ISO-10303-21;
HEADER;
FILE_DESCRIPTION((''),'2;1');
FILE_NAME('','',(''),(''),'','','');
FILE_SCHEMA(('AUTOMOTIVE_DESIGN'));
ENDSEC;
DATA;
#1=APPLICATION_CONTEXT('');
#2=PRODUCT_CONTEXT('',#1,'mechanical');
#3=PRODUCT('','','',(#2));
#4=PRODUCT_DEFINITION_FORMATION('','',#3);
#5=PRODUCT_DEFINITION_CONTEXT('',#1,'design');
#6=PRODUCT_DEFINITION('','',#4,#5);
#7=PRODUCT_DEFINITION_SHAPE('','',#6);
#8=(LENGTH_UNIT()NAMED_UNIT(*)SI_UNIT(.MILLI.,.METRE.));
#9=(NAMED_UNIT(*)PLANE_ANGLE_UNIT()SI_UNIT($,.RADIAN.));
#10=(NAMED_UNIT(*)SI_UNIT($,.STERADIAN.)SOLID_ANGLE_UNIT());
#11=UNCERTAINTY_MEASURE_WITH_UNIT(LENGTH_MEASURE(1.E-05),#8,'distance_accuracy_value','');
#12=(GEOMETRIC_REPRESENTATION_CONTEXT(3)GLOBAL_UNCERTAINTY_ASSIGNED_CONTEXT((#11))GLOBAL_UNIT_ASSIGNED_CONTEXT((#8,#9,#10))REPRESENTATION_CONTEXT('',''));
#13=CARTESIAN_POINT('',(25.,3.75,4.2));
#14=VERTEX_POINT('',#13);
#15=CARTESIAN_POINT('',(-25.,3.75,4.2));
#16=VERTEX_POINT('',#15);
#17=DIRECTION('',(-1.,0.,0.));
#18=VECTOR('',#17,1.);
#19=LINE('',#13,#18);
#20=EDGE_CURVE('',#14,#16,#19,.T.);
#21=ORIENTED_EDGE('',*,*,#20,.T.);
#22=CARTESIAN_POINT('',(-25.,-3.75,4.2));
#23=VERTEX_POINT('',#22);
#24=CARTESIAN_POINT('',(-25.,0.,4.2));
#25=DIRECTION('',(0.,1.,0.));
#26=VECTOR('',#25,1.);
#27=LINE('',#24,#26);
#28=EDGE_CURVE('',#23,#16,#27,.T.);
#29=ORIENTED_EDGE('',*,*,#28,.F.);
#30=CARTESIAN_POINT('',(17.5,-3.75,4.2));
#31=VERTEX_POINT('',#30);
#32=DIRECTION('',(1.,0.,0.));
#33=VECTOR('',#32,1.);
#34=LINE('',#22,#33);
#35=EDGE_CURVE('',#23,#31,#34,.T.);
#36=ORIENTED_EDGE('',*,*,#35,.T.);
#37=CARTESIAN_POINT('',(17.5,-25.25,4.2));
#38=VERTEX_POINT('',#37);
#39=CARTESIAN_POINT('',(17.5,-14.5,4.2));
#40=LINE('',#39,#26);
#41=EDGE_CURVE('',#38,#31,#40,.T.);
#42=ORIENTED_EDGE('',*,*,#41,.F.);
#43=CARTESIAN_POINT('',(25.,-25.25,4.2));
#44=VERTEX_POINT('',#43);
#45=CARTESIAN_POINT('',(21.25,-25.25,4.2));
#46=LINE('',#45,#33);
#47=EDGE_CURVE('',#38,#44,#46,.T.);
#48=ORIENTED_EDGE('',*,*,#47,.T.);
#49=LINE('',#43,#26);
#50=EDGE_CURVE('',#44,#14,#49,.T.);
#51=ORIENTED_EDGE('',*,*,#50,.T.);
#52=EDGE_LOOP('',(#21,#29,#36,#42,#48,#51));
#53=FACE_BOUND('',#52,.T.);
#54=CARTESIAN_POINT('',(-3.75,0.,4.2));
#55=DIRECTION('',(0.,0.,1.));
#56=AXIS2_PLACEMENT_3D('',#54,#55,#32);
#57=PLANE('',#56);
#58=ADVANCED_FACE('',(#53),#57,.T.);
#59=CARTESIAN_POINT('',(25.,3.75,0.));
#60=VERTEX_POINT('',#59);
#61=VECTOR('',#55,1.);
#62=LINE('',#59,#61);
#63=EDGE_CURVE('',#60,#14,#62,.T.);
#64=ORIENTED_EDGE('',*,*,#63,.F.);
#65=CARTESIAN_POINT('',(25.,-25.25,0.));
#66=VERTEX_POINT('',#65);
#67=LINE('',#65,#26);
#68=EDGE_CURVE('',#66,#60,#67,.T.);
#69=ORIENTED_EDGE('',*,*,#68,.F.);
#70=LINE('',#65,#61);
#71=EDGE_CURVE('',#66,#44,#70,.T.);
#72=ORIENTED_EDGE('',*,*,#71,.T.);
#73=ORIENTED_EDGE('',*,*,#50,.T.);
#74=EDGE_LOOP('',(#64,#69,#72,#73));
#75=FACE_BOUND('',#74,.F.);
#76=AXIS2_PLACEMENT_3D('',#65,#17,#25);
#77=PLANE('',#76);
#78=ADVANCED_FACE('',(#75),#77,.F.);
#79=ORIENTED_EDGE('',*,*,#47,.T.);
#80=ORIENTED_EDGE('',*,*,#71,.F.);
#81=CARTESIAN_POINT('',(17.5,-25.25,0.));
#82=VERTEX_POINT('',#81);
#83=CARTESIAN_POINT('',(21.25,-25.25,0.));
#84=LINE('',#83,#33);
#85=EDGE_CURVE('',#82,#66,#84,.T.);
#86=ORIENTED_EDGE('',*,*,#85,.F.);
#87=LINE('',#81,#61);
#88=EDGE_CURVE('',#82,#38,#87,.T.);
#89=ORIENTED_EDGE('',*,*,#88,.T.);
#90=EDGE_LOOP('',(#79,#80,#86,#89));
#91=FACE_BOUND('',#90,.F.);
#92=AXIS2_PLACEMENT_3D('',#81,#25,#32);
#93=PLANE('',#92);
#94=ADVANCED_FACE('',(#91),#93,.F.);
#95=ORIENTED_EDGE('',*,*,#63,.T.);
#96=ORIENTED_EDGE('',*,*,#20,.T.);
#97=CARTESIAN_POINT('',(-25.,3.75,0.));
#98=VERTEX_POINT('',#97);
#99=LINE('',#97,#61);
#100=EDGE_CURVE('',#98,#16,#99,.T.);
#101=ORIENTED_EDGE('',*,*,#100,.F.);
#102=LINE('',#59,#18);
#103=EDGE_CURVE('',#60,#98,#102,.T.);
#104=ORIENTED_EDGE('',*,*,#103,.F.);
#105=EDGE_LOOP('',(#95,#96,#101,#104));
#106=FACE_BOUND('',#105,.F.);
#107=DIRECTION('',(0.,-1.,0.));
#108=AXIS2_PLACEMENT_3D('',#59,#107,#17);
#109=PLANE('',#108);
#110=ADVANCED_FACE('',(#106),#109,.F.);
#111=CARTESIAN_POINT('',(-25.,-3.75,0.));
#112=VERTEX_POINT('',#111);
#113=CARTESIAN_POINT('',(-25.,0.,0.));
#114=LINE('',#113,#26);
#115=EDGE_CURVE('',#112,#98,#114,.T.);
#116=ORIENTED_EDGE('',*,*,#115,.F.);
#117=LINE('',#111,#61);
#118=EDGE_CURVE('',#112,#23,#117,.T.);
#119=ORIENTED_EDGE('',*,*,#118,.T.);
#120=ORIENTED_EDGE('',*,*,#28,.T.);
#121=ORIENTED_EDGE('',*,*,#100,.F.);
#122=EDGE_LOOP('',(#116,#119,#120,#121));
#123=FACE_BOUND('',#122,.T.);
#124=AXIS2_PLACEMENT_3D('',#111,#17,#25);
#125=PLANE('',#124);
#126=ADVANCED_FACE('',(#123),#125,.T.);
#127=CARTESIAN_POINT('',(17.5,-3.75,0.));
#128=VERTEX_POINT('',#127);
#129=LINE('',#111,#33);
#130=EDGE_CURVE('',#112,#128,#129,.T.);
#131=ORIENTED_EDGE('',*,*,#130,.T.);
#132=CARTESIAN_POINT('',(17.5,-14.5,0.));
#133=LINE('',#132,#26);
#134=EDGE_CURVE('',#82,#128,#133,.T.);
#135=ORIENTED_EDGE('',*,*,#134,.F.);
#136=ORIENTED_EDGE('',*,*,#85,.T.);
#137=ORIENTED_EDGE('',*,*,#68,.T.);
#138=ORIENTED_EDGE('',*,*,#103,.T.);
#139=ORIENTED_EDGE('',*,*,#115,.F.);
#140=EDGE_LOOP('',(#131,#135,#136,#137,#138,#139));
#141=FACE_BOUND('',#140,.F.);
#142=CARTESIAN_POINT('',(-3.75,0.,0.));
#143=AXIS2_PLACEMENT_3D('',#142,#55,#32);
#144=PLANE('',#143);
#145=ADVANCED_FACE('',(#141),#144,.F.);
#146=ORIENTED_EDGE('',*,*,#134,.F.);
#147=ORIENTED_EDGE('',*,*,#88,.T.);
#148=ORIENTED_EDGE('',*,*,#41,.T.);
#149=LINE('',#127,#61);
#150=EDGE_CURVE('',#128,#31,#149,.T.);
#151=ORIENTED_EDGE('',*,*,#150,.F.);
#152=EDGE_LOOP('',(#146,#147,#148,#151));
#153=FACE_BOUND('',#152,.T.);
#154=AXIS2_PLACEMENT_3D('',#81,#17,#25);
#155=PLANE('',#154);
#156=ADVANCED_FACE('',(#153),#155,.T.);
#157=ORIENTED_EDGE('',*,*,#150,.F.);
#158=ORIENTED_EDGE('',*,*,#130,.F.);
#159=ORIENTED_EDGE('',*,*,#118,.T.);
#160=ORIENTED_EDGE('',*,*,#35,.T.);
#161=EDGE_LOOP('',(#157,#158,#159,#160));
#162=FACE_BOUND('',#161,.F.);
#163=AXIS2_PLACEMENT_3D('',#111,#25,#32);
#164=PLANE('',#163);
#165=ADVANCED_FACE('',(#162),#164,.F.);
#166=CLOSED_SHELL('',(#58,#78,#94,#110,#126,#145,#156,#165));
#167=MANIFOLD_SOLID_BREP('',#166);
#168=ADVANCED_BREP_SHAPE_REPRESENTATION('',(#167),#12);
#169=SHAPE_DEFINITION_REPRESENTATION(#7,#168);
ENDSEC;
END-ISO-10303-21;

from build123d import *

# Parameters (mm, degrees)
F0_W     = 42.5
F0_H     = 7.5
F0_W_2   = 7.5
F0_H_2   = 21.5
F1_DEPTH = 4.2
F2_DEPTH = 4.2


with BuildPart() as f1:
    # F0 (on Top) → F1 (new body)
    with BuildSketch(Plane.XY):
        with Locations((-3.75, 0)):
            Rectangle(F0_W, F0_H)
        with Locations((21.25, 0)):
            Rectangle(F0_W_2, F0_H)
        with Locations((21.25, -14.5)):
            Rectangle(F0_W_2, F0_H_2)
    extrude(amount=F1_DEPTH)

    # F0 (on Top) → F2 (join)
    with BuildSketch(Plane.XY):
        with Locations((-3.75, 0)):
            Rectangle(F0_W, F0_H)
        with Locations((21.25, 0)):
            Rectangle(F0_W_2, F0_H)
        with Locations((21.25, -14.5)):
            Rectangle(F0_W_2, F0_H_2)
    extrude(amount=F2_DEPTH)


solid = f1.part
